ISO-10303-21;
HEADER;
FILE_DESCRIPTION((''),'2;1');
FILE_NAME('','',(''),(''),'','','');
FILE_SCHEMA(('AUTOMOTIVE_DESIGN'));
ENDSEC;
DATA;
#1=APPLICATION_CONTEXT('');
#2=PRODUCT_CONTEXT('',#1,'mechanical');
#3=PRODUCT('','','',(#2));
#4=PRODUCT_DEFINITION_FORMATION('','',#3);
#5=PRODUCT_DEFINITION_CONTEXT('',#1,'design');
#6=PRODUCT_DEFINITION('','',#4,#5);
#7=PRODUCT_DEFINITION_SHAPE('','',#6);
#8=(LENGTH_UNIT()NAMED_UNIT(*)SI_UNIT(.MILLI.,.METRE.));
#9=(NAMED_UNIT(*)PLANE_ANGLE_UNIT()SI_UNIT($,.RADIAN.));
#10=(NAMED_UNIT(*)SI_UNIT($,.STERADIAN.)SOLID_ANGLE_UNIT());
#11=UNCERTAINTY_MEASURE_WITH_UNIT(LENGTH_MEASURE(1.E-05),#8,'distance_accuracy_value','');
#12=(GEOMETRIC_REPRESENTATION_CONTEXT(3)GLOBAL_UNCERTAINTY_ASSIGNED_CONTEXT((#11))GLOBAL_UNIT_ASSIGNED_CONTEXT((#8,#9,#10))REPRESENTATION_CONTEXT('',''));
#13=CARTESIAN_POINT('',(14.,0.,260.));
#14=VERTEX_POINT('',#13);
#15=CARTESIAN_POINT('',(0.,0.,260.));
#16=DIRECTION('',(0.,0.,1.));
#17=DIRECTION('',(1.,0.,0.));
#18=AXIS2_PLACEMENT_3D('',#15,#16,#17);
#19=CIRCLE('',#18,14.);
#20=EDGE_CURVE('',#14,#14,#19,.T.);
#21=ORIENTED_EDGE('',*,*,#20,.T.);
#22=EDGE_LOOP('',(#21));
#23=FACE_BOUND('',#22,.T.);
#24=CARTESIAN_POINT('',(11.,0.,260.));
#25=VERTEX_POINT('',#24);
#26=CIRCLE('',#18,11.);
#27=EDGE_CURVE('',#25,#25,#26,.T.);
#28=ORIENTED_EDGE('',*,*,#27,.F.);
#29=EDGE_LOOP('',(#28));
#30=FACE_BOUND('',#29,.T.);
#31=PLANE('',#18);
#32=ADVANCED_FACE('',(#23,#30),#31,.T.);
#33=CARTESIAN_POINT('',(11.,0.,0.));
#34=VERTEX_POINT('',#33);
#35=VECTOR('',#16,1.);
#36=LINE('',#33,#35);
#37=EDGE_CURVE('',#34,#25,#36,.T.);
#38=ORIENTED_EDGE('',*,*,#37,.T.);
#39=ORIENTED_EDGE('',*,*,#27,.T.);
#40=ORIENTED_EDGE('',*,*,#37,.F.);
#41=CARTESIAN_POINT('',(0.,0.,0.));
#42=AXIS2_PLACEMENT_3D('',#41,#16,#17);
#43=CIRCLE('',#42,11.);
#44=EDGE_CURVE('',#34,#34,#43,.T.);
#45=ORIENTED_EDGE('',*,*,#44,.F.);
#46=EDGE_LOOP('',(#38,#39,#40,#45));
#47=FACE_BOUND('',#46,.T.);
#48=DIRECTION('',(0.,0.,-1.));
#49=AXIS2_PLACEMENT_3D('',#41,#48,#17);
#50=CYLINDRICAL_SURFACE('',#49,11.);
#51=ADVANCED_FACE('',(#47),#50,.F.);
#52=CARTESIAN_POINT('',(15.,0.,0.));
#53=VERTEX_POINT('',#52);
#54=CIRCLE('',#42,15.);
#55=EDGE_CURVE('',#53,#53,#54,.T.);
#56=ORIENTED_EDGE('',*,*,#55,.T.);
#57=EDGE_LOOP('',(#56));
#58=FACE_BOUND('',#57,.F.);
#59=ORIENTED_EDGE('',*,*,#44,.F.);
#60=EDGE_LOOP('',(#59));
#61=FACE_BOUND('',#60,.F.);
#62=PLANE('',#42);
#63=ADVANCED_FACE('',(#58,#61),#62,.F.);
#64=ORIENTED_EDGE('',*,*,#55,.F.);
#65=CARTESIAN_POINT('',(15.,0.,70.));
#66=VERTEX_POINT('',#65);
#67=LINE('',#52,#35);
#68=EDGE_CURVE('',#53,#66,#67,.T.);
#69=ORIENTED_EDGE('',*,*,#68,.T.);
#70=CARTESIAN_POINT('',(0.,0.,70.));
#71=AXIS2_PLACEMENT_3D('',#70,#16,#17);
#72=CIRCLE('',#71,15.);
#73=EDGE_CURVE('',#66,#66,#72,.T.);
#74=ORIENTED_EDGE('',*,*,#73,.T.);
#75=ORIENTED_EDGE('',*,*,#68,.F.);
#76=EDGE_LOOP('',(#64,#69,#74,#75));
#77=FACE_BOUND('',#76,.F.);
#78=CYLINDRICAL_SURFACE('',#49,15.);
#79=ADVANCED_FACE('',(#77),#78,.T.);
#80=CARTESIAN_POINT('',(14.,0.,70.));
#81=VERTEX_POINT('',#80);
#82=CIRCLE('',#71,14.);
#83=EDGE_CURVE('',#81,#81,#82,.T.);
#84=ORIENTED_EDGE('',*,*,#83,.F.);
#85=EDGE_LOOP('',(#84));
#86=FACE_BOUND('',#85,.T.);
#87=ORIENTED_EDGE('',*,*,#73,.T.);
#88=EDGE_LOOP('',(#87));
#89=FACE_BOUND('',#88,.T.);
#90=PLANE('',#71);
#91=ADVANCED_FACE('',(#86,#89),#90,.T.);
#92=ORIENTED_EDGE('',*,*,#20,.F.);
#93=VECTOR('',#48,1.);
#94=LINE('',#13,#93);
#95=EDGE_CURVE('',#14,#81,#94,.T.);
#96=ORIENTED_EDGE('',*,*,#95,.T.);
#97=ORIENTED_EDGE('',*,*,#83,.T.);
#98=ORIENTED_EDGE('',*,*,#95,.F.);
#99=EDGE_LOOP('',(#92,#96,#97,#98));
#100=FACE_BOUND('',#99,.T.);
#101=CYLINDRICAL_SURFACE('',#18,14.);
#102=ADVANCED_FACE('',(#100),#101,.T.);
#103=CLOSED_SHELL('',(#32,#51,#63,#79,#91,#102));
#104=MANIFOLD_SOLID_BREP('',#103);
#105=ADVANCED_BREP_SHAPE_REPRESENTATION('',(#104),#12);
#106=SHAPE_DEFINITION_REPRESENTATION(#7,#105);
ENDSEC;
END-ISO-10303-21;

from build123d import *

# Parameters (mm, degrees)
SKETCH_R      = 15
SKETCH_R_2    = 11
PAD_DEPTH     = 260
SKETCH001_R   = 15
SKETCH001_R_2 = 14
POCKET_DEPTH  = 190


with BuildPart() as part:
    # Sketch → Pad (new body)
    with BuildSketch(Plane.XY):
        Circle(SKETCH_R)
        Circle(SKETCH_R_2, mode=Mode.SUBTRACT)
    extrude(amount=PAD_DEPTH)

    # Sketch001 → Pocket (cut)
    with BuildSketch(Plane.XY.offset(260)):
        Circle(SKETCH001_R)
        Circle(SKETCH001_R_2, mode=Mode.SUBTRACT)
    extrude(amount=-POCKET_DEPTH, mode=Mode.SUBTRACT)


solid = part.part
